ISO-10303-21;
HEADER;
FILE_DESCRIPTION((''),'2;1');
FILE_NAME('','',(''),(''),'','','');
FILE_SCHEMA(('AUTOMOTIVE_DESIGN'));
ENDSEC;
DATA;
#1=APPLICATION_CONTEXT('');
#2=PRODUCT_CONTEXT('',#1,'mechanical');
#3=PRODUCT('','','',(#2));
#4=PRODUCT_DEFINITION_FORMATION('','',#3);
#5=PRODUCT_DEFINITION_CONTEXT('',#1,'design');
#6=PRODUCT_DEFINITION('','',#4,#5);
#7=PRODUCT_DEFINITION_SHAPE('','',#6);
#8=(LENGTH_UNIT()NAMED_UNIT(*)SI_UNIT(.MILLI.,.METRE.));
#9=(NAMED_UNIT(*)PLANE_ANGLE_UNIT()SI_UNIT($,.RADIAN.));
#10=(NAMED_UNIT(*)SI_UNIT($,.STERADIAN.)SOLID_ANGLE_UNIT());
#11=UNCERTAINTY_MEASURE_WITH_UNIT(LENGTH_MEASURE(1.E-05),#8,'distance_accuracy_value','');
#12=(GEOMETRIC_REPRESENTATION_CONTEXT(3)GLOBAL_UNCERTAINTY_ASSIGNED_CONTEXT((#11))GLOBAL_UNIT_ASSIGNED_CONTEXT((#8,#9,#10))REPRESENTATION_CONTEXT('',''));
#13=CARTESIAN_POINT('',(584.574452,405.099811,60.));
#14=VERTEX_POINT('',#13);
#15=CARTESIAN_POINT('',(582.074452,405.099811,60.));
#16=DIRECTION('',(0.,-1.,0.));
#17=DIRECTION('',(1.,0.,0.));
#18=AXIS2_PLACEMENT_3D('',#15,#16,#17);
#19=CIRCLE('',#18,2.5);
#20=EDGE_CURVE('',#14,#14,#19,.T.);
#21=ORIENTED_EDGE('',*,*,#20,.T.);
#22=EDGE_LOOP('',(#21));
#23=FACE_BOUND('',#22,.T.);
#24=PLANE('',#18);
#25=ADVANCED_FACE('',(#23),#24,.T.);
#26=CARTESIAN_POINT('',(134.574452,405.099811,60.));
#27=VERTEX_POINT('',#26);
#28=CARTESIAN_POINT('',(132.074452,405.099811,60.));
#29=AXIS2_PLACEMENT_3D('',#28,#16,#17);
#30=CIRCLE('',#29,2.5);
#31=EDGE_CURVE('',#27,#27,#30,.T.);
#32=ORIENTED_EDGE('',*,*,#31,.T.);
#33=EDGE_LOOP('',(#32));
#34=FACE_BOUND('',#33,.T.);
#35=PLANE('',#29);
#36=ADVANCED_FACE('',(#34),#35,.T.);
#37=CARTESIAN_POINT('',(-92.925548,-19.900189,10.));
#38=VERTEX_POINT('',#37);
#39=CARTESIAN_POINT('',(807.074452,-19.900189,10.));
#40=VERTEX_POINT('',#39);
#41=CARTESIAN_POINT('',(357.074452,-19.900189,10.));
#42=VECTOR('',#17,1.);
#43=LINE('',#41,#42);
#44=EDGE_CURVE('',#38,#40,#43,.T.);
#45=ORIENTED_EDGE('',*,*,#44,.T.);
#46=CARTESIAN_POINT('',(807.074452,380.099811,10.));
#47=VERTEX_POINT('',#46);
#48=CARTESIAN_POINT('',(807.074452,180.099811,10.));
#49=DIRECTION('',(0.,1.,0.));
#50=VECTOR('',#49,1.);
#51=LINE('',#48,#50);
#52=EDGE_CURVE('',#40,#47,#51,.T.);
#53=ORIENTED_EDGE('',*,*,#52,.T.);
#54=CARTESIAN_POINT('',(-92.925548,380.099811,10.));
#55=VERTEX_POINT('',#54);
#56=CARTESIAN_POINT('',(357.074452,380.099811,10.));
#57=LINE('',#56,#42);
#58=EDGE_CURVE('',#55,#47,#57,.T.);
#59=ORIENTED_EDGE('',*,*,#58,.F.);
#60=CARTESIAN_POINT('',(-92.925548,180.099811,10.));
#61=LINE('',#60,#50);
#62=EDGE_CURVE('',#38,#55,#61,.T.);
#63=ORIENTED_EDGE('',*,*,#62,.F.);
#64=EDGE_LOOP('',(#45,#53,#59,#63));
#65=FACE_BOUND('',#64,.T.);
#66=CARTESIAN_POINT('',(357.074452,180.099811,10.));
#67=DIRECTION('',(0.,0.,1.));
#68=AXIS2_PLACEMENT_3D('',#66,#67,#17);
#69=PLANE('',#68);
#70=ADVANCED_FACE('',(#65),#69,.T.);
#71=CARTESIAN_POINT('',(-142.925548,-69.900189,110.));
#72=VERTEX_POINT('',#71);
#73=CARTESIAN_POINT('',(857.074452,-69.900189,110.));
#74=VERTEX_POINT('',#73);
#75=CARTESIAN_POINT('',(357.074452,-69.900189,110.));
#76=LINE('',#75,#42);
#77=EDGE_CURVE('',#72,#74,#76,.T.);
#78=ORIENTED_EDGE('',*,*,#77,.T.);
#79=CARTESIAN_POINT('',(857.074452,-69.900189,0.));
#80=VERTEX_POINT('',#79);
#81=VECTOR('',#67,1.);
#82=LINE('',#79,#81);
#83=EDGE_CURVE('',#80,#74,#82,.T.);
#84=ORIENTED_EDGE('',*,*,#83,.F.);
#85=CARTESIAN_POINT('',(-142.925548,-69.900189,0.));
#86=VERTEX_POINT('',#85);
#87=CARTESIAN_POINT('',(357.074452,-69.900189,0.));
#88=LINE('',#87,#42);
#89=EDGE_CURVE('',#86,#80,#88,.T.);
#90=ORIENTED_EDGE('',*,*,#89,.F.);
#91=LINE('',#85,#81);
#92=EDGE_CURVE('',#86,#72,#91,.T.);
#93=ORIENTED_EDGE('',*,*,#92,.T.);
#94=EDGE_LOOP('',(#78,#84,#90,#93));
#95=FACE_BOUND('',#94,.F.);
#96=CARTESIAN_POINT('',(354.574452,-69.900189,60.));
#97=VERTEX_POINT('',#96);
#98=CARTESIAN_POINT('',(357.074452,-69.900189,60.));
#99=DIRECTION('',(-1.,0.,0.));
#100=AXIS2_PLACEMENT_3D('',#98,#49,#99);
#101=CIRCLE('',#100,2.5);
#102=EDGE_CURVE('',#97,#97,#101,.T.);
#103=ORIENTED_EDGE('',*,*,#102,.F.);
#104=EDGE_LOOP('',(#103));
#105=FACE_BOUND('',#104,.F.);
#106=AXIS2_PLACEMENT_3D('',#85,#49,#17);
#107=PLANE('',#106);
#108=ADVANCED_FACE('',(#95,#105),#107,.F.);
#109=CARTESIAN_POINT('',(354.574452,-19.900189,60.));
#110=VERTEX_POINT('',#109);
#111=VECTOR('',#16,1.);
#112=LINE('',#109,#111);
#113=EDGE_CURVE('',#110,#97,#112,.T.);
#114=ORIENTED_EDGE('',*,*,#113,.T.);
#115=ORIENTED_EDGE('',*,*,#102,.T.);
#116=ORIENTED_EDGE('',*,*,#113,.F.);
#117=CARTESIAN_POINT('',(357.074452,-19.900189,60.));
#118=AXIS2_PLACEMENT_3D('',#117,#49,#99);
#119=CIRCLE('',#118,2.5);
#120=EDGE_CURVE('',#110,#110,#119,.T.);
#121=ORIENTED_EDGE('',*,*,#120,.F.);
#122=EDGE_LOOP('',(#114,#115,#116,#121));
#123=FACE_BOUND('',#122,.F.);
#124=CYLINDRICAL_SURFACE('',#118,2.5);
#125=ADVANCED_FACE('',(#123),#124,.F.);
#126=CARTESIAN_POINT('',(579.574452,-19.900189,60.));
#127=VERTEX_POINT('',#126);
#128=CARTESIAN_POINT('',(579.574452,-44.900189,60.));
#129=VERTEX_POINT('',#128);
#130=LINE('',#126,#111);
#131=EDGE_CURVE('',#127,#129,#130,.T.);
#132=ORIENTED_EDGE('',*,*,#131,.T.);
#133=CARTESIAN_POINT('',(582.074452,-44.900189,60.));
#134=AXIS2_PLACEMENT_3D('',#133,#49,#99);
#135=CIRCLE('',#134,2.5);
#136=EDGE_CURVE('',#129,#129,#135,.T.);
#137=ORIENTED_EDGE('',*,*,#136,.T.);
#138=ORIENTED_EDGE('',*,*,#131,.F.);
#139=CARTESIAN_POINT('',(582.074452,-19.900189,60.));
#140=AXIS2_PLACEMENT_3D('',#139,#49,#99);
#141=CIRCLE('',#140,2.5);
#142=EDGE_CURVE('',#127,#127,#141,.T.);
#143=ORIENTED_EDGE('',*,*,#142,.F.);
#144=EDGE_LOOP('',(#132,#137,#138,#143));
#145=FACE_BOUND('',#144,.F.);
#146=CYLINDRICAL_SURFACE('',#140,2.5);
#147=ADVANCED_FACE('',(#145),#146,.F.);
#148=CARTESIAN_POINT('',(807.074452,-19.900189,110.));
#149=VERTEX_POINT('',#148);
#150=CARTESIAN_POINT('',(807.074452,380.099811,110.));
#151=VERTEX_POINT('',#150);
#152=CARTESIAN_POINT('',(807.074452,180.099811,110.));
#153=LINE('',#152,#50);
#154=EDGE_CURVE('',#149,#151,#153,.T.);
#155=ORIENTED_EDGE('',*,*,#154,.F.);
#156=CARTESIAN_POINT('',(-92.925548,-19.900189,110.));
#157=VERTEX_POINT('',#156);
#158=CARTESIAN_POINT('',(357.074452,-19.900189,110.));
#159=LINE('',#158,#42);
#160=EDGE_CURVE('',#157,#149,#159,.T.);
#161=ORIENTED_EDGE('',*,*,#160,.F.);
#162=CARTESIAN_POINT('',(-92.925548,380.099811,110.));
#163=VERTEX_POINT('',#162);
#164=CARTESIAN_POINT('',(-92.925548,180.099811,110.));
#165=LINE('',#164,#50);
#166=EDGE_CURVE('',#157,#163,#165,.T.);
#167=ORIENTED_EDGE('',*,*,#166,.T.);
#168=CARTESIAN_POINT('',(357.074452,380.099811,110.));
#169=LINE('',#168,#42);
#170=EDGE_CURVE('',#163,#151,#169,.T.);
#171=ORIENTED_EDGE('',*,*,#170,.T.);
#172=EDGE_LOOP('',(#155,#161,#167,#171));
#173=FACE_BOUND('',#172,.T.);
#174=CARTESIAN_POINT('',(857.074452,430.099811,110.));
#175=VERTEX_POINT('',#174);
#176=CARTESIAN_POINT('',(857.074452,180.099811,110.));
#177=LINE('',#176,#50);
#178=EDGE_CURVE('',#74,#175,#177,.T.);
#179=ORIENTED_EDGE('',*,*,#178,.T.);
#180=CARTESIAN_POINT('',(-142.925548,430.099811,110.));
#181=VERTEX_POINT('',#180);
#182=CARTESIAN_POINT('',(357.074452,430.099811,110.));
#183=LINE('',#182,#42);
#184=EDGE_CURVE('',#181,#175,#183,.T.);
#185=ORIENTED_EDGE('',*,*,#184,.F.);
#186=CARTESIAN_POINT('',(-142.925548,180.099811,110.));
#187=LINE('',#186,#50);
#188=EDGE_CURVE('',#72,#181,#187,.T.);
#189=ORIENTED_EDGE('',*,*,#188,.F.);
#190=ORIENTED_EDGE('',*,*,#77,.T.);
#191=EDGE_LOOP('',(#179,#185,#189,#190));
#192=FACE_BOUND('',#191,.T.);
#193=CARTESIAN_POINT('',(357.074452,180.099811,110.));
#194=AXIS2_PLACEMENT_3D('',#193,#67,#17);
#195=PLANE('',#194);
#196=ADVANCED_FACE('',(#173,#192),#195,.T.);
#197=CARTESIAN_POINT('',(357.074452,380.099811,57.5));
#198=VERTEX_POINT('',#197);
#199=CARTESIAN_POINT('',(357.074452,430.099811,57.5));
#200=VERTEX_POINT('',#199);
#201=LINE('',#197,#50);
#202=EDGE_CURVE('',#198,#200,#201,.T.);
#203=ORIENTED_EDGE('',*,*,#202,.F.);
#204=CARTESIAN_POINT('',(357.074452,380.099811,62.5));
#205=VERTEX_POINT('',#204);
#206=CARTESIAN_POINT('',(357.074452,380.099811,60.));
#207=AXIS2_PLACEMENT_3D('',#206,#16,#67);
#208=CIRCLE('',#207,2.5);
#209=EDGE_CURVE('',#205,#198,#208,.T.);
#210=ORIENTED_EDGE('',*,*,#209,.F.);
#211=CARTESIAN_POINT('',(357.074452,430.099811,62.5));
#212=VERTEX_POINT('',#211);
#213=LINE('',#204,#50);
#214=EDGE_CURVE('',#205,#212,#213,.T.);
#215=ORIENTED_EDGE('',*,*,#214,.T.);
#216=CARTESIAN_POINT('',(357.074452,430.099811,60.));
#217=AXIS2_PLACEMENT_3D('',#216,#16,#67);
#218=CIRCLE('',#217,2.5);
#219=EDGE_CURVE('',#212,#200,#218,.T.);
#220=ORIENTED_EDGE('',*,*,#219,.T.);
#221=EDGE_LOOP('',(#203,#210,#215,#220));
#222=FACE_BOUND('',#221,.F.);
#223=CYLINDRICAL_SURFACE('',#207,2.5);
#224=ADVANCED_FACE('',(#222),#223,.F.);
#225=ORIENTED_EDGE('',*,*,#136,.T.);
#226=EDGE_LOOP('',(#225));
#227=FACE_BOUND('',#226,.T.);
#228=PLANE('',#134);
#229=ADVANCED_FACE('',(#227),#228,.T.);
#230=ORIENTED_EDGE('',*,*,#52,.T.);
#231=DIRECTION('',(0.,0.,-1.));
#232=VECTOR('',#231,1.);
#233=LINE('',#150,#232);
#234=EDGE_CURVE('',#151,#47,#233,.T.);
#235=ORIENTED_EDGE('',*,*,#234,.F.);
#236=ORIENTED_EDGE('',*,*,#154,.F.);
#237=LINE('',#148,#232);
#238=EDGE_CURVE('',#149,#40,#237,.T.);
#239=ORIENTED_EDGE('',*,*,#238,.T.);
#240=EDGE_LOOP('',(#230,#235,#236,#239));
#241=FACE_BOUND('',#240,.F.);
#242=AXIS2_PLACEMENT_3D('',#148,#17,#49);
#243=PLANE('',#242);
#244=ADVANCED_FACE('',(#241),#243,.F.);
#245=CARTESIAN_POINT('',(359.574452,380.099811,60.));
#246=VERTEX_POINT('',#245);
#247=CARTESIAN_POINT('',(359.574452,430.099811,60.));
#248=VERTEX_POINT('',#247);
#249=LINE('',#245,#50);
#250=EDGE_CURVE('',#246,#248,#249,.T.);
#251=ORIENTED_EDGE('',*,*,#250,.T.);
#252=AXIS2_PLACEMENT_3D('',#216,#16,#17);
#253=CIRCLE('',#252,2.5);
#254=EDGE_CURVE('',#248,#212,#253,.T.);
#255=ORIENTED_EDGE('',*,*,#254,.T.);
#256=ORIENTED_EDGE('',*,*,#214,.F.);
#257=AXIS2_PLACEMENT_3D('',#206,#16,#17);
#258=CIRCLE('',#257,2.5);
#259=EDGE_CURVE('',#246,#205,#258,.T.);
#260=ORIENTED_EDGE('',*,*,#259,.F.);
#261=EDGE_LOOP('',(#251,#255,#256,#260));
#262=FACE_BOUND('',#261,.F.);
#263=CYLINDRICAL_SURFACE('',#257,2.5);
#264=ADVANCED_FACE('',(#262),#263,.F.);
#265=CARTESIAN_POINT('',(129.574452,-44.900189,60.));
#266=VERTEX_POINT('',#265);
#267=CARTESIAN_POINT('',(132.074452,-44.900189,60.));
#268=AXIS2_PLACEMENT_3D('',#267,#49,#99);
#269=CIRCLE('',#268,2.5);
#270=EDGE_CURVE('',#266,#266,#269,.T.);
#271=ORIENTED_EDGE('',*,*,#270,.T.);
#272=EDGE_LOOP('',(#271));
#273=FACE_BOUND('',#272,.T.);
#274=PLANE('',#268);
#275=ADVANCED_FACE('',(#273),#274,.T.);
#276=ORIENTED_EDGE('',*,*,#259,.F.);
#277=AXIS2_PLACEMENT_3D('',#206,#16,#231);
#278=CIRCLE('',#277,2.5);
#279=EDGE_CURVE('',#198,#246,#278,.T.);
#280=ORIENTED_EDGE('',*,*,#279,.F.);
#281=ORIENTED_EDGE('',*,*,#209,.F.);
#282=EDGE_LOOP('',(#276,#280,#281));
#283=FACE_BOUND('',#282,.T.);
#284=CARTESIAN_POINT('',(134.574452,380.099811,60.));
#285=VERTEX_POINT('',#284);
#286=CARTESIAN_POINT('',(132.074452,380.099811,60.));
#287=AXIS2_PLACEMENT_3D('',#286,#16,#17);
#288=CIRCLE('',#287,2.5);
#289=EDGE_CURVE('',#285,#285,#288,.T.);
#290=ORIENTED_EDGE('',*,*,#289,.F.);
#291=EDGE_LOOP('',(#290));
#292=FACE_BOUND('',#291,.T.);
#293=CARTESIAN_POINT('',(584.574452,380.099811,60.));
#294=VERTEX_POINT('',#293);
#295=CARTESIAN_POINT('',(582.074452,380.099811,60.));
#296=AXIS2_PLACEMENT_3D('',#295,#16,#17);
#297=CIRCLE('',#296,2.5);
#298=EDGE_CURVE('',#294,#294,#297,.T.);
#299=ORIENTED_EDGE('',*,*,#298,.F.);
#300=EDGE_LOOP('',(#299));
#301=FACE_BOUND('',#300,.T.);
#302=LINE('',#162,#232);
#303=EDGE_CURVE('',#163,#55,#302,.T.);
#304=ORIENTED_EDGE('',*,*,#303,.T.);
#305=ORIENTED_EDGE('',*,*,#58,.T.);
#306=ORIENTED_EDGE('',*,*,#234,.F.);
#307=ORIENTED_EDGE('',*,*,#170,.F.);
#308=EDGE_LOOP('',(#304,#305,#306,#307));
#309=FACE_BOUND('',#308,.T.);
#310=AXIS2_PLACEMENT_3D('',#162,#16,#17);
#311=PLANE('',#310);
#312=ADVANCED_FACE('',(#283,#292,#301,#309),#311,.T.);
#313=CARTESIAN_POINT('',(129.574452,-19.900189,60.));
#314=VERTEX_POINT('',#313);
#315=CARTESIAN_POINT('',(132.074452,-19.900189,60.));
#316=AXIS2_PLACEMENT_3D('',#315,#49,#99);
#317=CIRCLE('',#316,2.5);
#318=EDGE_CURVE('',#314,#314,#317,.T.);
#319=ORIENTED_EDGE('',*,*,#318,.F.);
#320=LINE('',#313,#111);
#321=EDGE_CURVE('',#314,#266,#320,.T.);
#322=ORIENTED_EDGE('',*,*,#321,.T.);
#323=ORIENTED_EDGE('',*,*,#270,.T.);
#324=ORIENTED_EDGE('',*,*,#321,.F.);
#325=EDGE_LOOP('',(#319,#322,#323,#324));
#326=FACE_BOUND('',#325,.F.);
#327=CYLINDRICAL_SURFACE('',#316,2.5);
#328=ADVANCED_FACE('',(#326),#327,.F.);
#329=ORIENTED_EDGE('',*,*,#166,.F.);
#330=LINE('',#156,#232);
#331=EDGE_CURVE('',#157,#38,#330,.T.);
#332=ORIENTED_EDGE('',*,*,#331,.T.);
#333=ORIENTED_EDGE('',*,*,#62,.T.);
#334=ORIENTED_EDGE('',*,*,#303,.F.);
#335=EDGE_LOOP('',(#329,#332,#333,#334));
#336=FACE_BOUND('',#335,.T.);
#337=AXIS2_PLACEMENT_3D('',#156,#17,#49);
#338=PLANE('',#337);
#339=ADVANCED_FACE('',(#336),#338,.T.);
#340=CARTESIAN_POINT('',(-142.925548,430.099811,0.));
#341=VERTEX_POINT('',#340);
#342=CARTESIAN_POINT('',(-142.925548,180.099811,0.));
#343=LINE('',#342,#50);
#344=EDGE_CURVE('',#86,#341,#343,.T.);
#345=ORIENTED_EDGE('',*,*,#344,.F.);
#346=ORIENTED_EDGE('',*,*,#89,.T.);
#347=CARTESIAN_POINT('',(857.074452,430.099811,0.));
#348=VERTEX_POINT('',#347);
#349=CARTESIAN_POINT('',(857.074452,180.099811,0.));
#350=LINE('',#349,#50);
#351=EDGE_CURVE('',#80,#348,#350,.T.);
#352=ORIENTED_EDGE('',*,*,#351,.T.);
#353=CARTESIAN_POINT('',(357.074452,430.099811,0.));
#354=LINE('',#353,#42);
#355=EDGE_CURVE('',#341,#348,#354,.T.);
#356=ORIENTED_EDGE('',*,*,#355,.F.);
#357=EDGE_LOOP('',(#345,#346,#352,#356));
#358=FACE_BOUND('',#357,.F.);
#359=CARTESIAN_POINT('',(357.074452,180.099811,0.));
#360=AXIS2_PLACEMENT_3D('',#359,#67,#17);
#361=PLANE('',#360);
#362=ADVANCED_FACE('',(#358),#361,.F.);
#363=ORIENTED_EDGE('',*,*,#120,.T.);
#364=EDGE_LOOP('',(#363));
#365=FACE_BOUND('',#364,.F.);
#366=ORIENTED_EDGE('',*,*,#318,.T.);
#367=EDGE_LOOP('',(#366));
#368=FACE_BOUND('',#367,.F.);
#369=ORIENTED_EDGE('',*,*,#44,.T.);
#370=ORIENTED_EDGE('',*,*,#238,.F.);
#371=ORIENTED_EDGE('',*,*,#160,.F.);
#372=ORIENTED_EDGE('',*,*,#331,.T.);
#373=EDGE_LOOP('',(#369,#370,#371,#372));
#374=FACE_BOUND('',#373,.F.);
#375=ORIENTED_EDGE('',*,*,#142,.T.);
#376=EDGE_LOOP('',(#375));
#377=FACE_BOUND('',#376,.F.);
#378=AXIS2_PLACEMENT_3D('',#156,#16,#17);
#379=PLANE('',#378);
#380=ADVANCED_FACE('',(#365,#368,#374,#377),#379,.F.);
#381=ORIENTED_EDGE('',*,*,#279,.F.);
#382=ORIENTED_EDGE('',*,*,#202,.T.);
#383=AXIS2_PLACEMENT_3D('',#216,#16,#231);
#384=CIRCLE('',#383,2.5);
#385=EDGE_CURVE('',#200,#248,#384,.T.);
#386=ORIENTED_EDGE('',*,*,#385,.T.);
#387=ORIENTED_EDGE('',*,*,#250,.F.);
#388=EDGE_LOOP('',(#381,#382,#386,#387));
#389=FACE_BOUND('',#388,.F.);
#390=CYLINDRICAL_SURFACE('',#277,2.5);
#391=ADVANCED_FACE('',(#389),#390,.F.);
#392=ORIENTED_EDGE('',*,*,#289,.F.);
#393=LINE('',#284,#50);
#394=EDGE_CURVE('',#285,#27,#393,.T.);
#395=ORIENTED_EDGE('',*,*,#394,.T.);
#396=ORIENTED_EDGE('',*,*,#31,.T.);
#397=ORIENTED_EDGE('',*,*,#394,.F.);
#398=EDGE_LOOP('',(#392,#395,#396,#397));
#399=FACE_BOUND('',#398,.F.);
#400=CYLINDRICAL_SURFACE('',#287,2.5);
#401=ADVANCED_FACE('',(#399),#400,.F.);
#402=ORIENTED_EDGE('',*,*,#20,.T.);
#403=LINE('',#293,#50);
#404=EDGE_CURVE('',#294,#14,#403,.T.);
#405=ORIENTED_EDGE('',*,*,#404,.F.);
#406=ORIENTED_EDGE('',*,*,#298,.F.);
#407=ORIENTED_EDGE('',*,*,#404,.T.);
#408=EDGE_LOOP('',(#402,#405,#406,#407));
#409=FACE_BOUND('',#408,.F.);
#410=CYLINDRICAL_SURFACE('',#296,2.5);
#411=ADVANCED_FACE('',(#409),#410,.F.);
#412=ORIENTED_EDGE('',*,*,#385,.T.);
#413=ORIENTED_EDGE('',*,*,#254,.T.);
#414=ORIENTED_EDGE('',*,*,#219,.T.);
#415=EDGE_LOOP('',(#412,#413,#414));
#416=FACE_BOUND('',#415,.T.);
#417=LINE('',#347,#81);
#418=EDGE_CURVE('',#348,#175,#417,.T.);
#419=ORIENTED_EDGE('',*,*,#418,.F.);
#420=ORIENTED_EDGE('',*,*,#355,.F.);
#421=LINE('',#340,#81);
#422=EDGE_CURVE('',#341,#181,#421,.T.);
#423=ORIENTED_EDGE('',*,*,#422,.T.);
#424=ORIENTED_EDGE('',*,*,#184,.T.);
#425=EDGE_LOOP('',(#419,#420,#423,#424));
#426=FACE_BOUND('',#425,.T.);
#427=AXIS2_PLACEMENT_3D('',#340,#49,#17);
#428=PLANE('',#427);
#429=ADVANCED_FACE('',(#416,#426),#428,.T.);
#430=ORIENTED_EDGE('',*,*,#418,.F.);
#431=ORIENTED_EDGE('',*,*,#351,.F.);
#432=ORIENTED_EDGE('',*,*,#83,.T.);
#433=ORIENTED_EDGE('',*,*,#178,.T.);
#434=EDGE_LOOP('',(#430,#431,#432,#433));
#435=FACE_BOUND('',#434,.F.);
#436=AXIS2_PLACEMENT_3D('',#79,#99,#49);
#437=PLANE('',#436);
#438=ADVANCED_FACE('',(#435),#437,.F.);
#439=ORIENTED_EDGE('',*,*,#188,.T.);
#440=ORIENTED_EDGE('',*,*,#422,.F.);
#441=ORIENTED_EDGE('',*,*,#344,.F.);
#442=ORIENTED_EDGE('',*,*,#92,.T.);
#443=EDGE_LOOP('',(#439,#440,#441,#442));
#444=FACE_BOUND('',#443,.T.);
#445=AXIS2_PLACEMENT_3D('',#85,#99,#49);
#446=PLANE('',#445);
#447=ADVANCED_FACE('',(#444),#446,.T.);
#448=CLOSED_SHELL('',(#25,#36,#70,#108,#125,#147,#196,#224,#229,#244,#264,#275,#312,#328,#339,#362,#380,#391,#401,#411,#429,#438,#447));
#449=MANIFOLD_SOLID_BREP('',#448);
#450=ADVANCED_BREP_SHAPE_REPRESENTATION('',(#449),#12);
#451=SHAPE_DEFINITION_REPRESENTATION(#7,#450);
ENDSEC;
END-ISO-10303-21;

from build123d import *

# Parameters (mm, degrees)
F0_W      = 1000
F0_H      = 500
F1_DEPTH  = 110
F2_W      = 900
F2_H      = 400
F3_DEPTH  = 100
F5_DEPTH  = 50
F6_R      = 2.5
F7_DEPTH  = 50
F8_R      = 2.5
F9_DEPTH  = 25
F10_DEPTH = 25
F11_R     = 2.5
F12_DEPTH = 25


with BuildPart() as f1:
    # F0 (on Top) → F1 (new body)
    with BuildSketch(Plane.XY):
        with Locations((357.0744521916, 180.0998109607)):
            Rectangle(F0_W, F0_H)
    extrude(amount=F1_DEPTH)

    # F2 (on face) → F3 (cut)
    with BuildSketch(Plane.XY.offset(110)):
        with Locations((357.0744521916, 180.0998109607)):
            Rectangle(F2_W, F2_H)
    extrude(amount=-F3_DEPTH, mode=Mode.SUBTRACT)

    # F4 (on face) → F5 (cut)
    with BuildSketch(Plane.XZ.offset(-380.0998109607)):
        with BuildLine():
            ThreePointArc((359.5744521916, 60), (358.8422191446, 61.767766953), (357.0744521916, 62.5))
            Line((357.0744521916, 62.5), (357.0744521916, 57.5))
            ThreePointArc((357.0744521916, 57.5), (358.8422191446, 58.232233047), (359.5744521916, 60))
        make_face()
        with BuildLine():
            Line((357.0744521916, 57.5), (357.0744521916, 62.5))
            ThreePointArc((357.0744521916, 62.5), (354.5744521916, 60), (357.0744521916, 57.5))
        make_face()
    extrude(amount=-F5_DEPTH, mode=Mode.SUBTRACT)

    # F6 (on face) → F7 (cut)
    with BuildSketch(Plane(origin=(0, -19.9001890393, 0), x_dir=(-1, 0, 0), z_dir=(0, 1, 0))):
        with Locations((-357.0744521916, 60)):
            Circle(F6_R)
    extrude(amount=-F7_DEPTH, mode=Mode.SUBTRACT)

    # F8 (on face) → F9 (cut)
    with BuildSketch(Plane.XZ.offset(-380.0998109607)):
        with Locations((132.0744521916, 60)):
            Circle(F8_R)
    extrude(amount=-F9_DEPTH, mode=Mode.SUBTRACT)

    # F8 (on face) → F10 (cut)
    with BuildSketch(Plane.XZ.offset(-380.0998109607)):
        with Locations((132.0744521916, 60)):
            Circle(F8_R)
        with Locations((582.0744521916, 60)):
            Circle(F8_R)
    extrude(amount=-F10_DEPTH, mode=Mode.SUBTRACT)

    # F11 (on face) → F12 (cut)
    with BuildSketch(Plane(origin=(0, -19.9001890393, 0), x_dir=(-1, 0, 0), z_dir=(0, 1, 0))):
        with Locations((-132.0744521916, 60)):
            Circle(F11_R)
        with Locations((-582.0744521916, 60)):
            Circle(F11_R)
    extrude(amount=-F12_DEPTH, mode=Mode.SUBTRACT)


solid = f1.part
